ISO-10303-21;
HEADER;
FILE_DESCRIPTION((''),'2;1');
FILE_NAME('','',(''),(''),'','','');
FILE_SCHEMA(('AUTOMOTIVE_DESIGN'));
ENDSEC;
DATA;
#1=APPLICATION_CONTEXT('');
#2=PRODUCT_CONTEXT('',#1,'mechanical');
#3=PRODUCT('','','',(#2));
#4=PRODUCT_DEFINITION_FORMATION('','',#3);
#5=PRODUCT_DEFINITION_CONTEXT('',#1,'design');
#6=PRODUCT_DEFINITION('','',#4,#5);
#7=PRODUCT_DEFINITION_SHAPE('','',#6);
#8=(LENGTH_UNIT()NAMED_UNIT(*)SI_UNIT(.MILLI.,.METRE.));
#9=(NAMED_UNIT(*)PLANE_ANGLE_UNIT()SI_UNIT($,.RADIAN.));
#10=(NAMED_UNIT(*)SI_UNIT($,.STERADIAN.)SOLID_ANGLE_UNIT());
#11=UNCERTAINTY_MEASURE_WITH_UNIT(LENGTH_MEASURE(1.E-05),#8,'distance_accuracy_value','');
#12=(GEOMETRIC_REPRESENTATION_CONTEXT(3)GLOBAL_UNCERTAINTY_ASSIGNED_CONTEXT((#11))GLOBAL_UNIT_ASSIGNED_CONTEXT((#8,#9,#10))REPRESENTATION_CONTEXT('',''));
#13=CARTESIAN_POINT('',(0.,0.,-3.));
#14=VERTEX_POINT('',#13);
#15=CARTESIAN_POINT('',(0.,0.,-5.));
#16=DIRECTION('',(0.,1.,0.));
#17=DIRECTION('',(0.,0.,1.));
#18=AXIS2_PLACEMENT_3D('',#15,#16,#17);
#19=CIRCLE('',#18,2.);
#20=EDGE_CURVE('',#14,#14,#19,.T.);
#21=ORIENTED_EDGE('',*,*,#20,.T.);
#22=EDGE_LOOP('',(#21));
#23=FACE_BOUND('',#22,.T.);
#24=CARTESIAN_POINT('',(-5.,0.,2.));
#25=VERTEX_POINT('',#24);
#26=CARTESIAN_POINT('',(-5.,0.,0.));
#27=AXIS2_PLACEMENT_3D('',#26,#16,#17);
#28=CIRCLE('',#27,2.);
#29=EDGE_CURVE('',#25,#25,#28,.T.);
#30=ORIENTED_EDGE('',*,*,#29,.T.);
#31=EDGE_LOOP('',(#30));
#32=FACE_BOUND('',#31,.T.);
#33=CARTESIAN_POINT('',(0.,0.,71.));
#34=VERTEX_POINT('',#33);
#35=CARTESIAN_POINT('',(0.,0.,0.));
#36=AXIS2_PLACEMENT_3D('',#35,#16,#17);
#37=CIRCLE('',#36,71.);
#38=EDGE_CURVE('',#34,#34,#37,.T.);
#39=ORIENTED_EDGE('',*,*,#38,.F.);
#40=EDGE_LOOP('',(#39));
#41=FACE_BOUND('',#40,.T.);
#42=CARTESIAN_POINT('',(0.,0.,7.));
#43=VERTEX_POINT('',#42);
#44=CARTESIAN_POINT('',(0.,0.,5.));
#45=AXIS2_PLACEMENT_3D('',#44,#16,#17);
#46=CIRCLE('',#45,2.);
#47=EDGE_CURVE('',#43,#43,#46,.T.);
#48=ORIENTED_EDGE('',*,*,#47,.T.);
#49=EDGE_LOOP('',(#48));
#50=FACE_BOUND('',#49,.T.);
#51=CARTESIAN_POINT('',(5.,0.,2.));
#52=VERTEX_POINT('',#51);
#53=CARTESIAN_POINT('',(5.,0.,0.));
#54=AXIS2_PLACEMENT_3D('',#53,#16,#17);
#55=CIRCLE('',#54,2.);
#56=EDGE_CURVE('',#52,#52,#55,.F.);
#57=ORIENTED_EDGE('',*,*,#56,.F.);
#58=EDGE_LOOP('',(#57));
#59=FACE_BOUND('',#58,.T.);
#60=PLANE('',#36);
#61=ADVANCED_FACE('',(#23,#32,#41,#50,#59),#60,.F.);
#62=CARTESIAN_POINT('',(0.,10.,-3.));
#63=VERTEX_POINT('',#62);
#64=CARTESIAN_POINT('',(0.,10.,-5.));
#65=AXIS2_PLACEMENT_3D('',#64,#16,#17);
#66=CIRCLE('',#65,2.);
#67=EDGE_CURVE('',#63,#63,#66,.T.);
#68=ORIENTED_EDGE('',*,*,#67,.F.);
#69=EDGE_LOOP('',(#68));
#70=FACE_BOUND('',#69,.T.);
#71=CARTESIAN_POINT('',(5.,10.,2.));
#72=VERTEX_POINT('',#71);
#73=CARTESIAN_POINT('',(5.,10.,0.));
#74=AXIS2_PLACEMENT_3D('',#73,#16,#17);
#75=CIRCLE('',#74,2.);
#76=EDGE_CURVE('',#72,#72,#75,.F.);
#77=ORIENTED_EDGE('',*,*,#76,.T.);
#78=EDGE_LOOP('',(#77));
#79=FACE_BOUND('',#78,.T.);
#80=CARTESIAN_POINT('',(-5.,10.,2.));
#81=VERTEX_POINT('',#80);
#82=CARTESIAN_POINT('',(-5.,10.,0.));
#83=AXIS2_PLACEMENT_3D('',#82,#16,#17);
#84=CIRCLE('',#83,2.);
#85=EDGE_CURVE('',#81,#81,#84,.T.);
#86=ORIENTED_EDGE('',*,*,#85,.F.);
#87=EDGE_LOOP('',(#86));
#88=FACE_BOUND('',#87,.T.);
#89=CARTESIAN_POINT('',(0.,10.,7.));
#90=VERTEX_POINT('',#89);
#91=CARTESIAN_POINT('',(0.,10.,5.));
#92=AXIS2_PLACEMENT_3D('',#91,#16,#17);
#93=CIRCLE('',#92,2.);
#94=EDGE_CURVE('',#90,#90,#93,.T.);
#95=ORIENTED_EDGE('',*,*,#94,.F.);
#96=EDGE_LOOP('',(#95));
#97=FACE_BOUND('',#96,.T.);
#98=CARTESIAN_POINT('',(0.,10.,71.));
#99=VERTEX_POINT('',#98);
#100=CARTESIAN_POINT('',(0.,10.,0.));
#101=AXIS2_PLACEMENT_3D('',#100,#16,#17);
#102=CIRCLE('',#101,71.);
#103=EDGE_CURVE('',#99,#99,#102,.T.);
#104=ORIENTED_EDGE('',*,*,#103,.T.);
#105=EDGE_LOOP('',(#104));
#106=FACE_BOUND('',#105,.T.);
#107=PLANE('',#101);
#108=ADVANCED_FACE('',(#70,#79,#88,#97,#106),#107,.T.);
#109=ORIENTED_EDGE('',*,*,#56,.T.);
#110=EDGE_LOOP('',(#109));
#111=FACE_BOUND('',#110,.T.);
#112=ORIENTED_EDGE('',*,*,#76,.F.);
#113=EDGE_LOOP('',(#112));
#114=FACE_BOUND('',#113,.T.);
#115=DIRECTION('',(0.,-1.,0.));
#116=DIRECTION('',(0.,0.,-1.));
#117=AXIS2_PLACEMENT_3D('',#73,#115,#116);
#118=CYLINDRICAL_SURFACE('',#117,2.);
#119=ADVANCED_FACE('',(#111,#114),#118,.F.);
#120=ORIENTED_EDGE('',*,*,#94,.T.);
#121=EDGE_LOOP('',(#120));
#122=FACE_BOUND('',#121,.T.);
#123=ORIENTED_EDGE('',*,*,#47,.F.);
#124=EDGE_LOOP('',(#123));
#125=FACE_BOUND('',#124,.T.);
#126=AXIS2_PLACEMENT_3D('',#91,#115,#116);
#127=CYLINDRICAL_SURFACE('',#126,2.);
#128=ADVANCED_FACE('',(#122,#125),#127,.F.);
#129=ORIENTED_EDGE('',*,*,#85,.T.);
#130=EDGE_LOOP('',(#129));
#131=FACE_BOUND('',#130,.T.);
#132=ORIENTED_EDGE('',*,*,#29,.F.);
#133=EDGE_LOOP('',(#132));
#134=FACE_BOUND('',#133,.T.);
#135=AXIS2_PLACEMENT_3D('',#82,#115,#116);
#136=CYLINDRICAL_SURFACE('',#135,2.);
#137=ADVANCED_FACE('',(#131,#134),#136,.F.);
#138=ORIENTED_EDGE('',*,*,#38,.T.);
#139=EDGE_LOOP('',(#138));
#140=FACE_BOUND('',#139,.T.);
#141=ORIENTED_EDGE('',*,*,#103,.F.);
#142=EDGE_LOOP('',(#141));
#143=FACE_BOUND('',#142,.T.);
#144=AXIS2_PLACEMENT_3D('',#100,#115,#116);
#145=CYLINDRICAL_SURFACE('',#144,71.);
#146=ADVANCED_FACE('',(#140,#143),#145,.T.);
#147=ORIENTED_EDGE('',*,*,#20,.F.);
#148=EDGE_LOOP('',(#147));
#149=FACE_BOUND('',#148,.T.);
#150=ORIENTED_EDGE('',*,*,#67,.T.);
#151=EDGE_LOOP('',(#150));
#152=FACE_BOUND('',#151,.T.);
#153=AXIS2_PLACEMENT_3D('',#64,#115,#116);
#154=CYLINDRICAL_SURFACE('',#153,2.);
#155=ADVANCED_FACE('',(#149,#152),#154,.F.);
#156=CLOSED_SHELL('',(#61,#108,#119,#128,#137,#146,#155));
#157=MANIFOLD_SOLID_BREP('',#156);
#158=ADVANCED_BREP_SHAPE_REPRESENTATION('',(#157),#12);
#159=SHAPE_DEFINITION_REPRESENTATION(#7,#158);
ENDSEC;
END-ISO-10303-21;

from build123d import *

# Parameters (mm, degrees)
SKETCH_6_R      = 71
SKETCH_6_R_2    = 2
EXTRUDE_2_DEPTH = 10


with BuildPart() as part:
    # 草圖6 → 填料-伸長2 (new body)
    with BuildSketch(Plane(origin=(0, 0, 0), x_dir=(1, 0, 0), z_dir=(0, 1, 0))):
        Circle(SKETCH_6_R)
        with Locations((0, -5)):
            Circle(SKETCH_6_R_2, mode=Mode.SUBTRACT)
        with Locations((-5, 0)):
            Circle(SKETCH_6_R_2, mode=Mode.SUBTRACT)
        with Locations((5, 0)):
            Circle(SKETCH_6_R_2, mode=Mode.SUBTRACT)
        with Locations((0, 5)):
            Circle(SKETCH_6_R_2, mode=Mode.SUBTRACT)
    extrude(amount=EXTRUDE_2_DEPTH)


solid = part.part
